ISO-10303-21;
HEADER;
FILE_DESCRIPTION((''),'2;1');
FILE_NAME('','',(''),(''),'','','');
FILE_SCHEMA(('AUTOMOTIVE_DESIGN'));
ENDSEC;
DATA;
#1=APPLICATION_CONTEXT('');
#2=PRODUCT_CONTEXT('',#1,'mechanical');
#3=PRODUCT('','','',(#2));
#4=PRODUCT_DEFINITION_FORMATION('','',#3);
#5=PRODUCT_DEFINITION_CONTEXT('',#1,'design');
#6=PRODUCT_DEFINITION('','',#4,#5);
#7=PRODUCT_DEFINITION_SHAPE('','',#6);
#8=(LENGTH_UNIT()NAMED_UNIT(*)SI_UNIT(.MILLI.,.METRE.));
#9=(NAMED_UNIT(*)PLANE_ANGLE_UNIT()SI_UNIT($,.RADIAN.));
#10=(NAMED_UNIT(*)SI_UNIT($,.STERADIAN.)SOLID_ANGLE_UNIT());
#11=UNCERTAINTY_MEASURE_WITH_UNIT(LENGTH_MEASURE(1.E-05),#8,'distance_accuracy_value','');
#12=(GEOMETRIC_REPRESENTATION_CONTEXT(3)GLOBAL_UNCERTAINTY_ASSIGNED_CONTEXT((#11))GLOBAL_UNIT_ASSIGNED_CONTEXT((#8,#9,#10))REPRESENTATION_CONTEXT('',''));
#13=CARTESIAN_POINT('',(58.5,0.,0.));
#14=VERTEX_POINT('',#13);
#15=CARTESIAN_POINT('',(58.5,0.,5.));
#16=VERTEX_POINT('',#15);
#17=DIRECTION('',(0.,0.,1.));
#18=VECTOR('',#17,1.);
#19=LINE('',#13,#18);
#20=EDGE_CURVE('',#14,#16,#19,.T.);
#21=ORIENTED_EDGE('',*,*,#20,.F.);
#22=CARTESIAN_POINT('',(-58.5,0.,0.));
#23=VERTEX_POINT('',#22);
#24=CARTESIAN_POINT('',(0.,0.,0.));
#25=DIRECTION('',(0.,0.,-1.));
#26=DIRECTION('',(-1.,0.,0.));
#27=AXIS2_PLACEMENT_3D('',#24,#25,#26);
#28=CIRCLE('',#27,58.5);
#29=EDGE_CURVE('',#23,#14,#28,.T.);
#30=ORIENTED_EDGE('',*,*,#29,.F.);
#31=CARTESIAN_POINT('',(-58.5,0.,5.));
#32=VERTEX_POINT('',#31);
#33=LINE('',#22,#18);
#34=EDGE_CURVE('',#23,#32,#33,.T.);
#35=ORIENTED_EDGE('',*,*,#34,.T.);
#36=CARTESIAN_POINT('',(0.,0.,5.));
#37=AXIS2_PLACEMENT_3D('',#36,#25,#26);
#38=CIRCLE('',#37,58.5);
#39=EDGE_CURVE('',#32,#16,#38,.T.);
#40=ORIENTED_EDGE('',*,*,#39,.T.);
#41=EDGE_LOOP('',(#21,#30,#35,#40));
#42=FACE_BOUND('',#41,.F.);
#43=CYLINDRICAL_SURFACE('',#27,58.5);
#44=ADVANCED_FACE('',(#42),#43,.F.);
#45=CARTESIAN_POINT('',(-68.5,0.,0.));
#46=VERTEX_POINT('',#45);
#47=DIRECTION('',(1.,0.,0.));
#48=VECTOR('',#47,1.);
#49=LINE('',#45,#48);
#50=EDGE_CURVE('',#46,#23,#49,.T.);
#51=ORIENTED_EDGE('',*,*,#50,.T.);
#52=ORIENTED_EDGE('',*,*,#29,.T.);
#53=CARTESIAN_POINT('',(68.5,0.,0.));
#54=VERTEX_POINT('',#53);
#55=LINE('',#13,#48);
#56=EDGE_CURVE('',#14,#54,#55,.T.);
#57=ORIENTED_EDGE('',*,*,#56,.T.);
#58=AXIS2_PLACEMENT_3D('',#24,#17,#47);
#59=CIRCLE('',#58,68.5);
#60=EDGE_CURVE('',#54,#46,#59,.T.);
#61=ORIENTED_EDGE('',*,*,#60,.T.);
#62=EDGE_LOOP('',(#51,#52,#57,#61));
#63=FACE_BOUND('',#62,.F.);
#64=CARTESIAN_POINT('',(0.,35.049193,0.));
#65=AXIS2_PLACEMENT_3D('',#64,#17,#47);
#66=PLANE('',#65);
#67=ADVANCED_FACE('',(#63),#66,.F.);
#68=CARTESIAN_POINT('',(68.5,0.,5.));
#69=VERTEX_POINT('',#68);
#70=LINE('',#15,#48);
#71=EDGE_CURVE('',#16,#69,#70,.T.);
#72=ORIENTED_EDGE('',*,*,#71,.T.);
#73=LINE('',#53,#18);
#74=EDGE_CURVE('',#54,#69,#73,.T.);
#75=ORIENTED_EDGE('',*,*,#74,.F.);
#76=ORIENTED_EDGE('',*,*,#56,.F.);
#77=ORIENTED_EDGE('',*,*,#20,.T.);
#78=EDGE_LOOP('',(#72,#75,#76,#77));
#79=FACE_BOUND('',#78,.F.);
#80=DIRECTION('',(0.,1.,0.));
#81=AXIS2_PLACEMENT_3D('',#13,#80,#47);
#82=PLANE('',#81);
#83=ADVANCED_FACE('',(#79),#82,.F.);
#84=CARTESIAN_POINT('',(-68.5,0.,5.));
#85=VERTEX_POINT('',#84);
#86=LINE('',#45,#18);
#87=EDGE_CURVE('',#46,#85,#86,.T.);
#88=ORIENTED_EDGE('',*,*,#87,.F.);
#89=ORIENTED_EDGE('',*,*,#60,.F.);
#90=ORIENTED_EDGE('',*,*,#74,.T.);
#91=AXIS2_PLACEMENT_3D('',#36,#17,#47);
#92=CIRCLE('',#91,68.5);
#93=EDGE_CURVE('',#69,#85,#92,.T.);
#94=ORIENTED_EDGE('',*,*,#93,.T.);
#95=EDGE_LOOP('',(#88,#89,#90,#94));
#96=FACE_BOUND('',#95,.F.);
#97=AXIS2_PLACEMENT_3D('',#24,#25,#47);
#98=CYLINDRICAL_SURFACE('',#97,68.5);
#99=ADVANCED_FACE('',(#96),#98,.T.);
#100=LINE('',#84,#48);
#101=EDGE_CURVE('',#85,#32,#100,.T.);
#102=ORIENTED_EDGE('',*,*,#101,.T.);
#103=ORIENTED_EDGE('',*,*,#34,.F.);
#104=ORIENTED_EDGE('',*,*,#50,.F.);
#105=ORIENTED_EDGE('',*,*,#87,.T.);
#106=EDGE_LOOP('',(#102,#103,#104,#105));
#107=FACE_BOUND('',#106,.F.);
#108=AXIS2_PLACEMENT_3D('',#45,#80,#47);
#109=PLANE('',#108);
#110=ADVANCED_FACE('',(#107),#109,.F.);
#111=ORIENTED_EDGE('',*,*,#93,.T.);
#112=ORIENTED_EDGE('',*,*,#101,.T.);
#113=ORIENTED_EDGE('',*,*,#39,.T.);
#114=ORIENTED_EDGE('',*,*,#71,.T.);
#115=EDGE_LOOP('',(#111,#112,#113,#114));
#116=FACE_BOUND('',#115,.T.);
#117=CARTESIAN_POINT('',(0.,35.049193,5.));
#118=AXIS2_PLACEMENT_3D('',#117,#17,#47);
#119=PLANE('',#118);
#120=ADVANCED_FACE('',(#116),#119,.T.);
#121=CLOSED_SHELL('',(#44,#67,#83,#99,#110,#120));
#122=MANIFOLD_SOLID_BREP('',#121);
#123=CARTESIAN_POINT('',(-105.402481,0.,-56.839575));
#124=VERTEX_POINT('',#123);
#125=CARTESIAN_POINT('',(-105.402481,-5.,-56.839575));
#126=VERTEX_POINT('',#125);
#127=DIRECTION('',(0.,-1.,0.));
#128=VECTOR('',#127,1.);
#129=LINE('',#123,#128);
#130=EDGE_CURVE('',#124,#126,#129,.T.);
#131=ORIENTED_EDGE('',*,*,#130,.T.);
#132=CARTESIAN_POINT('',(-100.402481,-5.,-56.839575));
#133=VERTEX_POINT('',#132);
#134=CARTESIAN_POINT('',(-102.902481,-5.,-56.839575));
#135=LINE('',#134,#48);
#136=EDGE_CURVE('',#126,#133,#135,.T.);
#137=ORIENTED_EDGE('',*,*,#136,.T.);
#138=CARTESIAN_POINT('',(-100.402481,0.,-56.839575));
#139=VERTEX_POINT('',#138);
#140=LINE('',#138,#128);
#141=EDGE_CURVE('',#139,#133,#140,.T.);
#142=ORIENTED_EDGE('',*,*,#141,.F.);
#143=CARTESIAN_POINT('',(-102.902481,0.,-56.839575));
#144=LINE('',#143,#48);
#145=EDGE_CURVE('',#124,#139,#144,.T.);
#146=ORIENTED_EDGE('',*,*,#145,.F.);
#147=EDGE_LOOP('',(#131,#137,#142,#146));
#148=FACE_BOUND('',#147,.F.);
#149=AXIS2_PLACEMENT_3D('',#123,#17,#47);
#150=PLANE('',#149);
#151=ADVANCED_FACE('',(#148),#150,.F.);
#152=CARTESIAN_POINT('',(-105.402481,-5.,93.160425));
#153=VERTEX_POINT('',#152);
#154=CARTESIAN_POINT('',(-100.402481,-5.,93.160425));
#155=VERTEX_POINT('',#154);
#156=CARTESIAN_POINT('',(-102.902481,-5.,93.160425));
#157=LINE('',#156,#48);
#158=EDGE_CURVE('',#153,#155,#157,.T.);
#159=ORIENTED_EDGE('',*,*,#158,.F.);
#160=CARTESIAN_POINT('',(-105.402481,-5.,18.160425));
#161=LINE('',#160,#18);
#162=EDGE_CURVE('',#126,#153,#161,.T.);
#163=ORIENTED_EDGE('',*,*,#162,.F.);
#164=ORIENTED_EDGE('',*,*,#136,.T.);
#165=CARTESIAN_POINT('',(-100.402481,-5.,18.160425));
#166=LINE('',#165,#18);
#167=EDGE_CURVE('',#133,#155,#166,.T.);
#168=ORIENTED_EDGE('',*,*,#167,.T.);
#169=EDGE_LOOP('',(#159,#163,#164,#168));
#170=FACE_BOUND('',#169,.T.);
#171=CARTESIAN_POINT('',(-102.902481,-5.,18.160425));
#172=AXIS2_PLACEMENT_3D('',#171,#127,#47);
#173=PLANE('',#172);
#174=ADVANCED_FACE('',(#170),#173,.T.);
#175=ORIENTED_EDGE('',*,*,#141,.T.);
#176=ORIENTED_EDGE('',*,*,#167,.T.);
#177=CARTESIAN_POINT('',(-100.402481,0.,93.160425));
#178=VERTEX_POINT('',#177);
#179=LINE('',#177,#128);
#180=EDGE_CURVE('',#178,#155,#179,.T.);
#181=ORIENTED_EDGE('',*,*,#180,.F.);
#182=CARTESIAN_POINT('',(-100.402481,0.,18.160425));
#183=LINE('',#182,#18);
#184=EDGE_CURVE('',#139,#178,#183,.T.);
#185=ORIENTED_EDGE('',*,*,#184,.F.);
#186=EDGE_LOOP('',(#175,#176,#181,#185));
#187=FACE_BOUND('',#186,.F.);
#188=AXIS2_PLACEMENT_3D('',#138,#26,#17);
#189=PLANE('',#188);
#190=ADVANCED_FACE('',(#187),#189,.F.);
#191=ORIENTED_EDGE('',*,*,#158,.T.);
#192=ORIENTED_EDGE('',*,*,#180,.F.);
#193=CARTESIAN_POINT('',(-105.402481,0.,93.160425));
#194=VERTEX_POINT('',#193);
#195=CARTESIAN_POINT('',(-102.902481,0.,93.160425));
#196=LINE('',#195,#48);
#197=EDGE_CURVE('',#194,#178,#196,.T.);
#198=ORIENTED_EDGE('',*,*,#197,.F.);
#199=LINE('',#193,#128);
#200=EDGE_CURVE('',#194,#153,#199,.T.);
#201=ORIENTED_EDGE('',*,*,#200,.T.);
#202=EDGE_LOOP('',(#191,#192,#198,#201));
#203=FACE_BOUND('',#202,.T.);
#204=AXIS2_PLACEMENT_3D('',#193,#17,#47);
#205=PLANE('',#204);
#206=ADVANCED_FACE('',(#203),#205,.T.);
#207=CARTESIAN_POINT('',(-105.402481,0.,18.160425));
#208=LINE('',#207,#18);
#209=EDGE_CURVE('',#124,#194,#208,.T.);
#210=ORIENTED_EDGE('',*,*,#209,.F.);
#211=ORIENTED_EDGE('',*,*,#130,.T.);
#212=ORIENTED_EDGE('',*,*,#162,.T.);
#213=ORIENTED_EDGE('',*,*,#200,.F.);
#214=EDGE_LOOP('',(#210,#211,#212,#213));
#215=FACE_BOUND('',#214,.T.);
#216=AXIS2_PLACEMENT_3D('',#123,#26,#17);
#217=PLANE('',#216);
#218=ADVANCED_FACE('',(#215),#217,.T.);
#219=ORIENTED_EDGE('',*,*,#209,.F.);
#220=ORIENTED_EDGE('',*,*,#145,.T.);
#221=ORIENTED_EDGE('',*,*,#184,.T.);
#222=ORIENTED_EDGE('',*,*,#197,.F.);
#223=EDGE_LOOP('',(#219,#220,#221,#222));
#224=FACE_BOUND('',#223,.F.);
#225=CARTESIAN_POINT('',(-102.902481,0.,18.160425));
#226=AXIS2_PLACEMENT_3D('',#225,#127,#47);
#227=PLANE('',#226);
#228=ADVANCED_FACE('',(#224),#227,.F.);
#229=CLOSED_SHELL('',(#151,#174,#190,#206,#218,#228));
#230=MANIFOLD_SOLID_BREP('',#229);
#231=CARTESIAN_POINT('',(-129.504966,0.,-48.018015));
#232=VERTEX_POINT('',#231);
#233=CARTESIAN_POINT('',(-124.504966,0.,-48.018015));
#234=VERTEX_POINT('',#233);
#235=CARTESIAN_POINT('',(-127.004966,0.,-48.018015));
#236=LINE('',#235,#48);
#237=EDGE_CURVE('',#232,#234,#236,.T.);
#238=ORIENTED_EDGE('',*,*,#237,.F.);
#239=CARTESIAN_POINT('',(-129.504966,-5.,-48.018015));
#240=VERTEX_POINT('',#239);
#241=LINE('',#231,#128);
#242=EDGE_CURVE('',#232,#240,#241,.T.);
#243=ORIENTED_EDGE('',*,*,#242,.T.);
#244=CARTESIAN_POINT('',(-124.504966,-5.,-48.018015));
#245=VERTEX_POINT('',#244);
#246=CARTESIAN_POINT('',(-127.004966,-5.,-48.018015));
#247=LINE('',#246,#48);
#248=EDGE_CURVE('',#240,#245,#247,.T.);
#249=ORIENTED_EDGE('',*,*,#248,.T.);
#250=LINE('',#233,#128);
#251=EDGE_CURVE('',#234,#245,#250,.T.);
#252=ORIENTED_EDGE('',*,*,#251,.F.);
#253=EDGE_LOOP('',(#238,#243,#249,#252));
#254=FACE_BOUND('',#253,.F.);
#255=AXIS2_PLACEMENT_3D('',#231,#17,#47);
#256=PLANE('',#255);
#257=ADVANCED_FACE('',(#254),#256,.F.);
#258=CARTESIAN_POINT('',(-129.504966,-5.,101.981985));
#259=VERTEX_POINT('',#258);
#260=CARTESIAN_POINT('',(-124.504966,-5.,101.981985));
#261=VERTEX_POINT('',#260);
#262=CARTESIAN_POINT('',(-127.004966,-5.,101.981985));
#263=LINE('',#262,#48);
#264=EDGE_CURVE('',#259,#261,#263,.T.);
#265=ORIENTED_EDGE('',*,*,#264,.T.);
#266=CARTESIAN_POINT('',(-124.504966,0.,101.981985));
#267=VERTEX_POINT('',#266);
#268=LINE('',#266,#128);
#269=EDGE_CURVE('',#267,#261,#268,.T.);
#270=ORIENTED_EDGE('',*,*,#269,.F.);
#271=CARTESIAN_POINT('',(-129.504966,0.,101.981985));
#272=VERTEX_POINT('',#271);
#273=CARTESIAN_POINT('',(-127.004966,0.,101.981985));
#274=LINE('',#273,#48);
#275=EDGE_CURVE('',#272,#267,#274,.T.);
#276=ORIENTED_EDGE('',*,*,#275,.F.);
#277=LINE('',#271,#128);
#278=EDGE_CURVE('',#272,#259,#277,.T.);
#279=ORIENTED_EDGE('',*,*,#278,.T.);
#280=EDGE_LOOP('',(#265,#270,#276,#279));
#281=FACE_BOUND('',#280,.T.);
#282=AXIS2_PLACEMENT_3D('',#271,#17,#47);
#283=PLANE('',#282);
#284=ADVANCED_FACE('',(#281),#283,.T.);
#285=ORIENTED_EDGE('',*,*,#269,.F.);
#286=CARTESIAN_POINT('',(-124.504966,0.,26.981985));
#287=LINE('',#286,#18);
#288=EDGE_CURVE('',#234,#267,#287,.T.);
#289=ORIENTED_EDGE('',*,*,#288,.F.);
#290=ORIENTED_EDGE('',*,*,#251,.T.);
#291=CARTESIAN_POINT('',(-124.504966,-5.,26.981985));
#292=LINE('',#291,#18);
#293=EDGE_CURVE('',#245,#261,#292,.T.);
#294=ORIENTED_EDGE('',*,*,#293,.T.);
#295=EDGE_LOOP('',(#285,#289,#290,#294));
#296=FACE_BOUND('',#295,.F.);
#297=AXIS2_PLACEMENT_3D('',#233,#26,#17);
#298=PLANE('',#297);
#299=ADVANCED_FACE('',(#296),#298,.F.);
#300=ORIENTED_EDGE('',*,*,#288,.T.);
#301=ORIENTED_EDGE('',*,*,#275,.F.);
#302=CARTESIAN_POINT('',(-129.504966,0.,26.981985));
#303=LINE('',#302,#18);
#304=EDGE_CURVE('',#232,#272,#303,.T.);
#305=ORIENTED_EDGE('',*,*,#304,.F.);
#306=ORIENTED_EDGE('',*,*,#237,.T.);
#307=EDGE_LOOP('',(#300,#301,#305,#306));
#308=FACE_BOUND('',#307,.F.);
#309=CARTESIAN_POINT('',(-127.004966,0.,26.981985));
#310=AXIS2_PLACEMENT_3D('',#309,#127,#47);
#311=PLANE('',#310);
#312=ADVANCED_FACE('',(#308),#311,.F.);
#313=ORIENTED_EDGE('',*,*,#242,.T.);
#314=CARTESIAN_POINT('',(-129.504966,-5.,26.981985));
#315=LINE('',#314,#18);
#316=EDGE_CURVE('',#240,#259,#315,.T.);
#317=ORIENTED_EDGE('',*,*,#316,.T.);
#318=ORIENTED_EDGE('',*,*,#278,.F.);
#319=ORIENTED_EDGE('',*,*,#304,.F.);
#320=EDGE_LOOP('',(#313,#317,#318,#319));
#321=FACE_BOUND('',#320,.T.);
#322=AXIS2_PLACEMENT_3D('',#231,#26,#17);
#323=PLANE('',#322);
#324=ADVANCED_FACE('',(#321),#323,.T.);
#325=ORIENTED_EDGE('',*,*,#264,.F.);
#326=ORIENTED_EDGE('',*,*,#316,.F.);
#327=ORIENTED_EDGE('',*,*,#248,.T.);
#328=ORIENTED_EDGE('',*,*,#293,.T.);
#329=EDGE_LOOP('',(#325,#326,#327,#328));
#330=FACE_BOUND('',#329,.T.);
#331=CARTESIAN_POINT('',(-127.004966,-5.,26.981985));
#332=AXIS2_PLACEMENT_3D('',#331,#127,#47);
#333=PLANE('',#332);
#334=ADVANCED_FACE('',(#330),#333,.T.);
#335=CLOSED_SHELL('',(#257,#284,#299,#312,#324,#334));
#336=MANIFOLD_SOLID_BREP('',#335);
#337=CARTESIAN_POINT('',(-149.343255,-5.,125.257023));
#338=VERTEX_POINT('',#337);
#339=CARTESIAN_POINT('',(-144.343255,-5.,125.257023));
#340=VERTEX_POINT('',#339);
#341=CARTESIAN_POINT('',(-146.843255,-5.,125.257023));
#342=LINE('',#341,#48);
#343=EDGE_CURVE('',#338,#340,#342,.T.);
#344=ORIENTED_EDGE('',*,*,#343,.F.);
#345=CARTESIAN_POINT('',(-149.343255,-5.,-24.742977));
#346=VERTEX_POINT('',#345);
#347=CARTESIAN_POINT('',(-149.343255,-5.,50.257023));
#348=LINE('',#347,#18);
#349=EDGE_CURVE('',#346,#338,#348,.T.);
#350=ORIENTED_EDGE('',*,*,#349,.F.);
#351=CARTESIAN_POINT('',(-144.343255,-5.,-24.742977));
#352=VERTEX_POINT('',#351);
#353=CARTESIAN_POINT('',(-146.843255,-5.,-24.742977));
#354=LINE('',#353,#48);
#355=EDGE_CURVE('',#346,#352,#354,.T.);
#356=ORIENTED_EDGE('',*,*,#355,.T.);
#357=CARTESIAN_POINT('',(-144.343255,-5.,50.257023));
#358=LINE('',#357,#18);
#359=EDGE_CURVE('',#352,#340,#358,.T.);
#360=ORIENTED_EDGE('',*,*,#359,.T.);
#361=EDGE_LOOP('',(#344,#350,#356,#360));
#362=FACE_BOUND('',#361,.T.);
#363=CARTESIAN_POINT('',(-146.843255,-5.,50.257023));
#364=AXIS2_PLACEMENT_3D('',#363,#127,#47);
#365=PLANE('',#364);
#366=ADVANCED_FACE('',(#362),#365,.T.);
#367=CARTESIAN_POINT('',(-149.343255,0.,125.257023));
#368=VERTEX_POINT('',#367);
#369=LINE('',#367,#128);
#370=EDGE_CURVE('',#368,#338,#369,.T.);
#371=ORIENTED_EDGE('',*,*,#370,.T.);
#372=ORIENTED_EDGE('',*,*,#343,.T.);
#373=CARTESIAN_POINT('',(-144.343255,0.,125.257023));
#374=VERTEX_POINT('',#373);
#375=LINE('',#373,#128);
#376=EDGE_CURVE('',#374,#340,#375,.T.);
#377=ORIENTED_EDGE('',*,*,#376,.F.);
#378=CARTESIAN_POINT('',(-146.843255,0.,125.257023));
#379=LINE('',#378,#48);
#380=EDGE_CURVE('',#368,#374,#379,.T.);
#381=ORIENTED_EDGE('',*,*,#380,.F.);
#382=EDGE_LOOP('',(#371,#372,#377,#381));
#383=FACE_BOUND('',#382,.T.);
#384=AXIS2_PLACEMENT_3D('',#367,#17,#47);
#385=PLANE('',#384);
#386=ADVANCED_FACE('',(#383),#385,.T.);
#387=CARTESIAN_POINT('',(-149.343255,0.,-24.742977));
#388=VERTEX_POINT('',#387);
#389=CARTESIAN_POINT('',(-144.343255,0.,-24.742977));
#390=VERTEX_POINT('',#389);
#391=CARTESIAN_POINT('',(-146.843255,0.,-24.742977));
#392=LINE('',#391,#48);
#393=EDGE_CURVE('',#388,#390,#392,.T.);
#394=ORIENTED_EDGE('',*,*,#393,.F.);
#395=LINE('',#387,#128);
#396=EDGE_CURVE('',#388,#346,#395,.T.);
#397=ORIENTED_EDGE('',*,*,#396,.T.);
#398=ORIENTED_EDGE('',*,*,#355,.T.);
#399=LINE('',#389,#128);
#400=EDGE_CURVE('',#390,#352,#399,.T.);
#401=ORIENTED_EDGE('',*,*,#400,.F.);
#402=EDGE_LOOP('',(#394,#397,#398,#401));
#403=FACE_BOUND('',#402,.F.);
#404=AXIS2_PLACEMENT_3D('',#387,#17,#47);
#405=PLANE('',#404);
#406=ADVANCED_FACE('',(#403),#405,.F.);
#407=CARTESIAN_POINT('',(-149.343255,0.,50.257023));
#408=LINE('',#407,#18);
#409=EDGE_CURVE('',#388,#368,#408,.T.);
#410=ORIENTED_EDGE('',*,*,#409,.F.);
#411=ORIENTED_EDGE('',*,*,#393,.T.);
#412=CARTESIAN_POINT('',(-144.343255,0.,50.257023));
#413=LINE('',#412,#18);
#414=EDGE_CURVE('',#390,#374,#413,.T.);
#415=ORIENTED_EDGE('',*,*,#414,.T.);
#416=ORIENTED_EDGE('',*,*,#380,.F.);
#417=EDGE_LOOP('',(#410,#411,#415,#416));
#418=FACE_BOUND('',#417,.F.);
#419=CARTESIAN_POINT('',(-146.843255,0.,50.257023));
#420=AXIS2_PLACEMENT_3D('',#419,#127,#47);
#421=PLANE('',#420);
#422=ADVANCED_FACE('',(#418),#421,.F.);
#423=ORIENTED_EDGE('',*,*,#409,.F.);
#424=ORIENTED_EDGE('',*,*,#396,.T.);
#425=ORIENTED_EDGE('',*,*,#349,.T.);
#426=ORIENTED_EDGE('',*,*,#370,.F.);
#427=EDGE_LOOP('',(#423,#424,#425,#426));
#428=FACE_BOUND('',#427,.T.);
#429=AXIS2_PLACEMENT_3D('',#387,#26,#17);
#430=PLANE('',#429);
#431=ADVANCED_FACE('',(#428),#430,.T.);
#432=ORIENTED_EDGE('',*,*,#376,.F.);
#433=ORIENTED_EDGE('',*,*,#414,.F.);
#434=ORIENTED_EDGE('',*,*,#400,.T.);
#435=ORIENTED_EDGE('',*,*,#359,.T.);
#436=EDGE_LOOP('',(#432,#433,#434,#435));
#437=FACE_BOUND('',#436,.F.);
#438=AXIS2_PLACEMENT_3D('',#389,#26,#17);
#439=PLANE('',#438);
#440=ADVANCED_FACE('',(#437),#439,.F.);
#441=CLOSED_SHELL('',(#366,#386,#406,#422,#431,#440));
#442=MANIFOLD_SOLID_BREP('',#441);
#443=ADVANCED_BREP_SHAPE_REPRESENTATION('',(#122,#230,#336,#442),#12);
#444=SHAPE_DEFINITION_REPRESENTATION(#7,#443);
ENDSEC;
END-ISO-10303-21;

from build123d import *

# Parameters (mm, degrees)
F1_DEPTH = 5
F2_W     = 5
F2_H     = 150
F3_DEPTH = 5


with BuildPart() as f1:
    # F0 (on Top) → F1 (new body)
    with BuildSketch(Plane.XY):
        with BuildLine():
            Line((-68.5, 0), (-58.5, 0))
            ThreePointArc((-58.5, 0), (0, 58.5), (58.5, 0))
            Line((58.5, 0), (68.5, 0))
            ThreePointArc((68.5, 0), (0, 68.5), (-68.5, 0))
        make_face()
    extrude(amount=F1_DEPTH)


with BuildPart() as f3:
    # F2 (on Front) → F3 (new body)
    with BuildSketch(Plane.XZ):
        with Locations((-102.902481, 18.160425)):
            Rectangle(F2_W, F2_H)
        with Locations((-127.004966, 26.981985)):
            Rectangle(F2_W, F2_H)
        with Locations((-146.843255, 50.257023)):
            Rectangle(F2_W, F2_H)
    extrude(amount=F3_DEPTH)


solid = Compound([f1.part, f3.part])
